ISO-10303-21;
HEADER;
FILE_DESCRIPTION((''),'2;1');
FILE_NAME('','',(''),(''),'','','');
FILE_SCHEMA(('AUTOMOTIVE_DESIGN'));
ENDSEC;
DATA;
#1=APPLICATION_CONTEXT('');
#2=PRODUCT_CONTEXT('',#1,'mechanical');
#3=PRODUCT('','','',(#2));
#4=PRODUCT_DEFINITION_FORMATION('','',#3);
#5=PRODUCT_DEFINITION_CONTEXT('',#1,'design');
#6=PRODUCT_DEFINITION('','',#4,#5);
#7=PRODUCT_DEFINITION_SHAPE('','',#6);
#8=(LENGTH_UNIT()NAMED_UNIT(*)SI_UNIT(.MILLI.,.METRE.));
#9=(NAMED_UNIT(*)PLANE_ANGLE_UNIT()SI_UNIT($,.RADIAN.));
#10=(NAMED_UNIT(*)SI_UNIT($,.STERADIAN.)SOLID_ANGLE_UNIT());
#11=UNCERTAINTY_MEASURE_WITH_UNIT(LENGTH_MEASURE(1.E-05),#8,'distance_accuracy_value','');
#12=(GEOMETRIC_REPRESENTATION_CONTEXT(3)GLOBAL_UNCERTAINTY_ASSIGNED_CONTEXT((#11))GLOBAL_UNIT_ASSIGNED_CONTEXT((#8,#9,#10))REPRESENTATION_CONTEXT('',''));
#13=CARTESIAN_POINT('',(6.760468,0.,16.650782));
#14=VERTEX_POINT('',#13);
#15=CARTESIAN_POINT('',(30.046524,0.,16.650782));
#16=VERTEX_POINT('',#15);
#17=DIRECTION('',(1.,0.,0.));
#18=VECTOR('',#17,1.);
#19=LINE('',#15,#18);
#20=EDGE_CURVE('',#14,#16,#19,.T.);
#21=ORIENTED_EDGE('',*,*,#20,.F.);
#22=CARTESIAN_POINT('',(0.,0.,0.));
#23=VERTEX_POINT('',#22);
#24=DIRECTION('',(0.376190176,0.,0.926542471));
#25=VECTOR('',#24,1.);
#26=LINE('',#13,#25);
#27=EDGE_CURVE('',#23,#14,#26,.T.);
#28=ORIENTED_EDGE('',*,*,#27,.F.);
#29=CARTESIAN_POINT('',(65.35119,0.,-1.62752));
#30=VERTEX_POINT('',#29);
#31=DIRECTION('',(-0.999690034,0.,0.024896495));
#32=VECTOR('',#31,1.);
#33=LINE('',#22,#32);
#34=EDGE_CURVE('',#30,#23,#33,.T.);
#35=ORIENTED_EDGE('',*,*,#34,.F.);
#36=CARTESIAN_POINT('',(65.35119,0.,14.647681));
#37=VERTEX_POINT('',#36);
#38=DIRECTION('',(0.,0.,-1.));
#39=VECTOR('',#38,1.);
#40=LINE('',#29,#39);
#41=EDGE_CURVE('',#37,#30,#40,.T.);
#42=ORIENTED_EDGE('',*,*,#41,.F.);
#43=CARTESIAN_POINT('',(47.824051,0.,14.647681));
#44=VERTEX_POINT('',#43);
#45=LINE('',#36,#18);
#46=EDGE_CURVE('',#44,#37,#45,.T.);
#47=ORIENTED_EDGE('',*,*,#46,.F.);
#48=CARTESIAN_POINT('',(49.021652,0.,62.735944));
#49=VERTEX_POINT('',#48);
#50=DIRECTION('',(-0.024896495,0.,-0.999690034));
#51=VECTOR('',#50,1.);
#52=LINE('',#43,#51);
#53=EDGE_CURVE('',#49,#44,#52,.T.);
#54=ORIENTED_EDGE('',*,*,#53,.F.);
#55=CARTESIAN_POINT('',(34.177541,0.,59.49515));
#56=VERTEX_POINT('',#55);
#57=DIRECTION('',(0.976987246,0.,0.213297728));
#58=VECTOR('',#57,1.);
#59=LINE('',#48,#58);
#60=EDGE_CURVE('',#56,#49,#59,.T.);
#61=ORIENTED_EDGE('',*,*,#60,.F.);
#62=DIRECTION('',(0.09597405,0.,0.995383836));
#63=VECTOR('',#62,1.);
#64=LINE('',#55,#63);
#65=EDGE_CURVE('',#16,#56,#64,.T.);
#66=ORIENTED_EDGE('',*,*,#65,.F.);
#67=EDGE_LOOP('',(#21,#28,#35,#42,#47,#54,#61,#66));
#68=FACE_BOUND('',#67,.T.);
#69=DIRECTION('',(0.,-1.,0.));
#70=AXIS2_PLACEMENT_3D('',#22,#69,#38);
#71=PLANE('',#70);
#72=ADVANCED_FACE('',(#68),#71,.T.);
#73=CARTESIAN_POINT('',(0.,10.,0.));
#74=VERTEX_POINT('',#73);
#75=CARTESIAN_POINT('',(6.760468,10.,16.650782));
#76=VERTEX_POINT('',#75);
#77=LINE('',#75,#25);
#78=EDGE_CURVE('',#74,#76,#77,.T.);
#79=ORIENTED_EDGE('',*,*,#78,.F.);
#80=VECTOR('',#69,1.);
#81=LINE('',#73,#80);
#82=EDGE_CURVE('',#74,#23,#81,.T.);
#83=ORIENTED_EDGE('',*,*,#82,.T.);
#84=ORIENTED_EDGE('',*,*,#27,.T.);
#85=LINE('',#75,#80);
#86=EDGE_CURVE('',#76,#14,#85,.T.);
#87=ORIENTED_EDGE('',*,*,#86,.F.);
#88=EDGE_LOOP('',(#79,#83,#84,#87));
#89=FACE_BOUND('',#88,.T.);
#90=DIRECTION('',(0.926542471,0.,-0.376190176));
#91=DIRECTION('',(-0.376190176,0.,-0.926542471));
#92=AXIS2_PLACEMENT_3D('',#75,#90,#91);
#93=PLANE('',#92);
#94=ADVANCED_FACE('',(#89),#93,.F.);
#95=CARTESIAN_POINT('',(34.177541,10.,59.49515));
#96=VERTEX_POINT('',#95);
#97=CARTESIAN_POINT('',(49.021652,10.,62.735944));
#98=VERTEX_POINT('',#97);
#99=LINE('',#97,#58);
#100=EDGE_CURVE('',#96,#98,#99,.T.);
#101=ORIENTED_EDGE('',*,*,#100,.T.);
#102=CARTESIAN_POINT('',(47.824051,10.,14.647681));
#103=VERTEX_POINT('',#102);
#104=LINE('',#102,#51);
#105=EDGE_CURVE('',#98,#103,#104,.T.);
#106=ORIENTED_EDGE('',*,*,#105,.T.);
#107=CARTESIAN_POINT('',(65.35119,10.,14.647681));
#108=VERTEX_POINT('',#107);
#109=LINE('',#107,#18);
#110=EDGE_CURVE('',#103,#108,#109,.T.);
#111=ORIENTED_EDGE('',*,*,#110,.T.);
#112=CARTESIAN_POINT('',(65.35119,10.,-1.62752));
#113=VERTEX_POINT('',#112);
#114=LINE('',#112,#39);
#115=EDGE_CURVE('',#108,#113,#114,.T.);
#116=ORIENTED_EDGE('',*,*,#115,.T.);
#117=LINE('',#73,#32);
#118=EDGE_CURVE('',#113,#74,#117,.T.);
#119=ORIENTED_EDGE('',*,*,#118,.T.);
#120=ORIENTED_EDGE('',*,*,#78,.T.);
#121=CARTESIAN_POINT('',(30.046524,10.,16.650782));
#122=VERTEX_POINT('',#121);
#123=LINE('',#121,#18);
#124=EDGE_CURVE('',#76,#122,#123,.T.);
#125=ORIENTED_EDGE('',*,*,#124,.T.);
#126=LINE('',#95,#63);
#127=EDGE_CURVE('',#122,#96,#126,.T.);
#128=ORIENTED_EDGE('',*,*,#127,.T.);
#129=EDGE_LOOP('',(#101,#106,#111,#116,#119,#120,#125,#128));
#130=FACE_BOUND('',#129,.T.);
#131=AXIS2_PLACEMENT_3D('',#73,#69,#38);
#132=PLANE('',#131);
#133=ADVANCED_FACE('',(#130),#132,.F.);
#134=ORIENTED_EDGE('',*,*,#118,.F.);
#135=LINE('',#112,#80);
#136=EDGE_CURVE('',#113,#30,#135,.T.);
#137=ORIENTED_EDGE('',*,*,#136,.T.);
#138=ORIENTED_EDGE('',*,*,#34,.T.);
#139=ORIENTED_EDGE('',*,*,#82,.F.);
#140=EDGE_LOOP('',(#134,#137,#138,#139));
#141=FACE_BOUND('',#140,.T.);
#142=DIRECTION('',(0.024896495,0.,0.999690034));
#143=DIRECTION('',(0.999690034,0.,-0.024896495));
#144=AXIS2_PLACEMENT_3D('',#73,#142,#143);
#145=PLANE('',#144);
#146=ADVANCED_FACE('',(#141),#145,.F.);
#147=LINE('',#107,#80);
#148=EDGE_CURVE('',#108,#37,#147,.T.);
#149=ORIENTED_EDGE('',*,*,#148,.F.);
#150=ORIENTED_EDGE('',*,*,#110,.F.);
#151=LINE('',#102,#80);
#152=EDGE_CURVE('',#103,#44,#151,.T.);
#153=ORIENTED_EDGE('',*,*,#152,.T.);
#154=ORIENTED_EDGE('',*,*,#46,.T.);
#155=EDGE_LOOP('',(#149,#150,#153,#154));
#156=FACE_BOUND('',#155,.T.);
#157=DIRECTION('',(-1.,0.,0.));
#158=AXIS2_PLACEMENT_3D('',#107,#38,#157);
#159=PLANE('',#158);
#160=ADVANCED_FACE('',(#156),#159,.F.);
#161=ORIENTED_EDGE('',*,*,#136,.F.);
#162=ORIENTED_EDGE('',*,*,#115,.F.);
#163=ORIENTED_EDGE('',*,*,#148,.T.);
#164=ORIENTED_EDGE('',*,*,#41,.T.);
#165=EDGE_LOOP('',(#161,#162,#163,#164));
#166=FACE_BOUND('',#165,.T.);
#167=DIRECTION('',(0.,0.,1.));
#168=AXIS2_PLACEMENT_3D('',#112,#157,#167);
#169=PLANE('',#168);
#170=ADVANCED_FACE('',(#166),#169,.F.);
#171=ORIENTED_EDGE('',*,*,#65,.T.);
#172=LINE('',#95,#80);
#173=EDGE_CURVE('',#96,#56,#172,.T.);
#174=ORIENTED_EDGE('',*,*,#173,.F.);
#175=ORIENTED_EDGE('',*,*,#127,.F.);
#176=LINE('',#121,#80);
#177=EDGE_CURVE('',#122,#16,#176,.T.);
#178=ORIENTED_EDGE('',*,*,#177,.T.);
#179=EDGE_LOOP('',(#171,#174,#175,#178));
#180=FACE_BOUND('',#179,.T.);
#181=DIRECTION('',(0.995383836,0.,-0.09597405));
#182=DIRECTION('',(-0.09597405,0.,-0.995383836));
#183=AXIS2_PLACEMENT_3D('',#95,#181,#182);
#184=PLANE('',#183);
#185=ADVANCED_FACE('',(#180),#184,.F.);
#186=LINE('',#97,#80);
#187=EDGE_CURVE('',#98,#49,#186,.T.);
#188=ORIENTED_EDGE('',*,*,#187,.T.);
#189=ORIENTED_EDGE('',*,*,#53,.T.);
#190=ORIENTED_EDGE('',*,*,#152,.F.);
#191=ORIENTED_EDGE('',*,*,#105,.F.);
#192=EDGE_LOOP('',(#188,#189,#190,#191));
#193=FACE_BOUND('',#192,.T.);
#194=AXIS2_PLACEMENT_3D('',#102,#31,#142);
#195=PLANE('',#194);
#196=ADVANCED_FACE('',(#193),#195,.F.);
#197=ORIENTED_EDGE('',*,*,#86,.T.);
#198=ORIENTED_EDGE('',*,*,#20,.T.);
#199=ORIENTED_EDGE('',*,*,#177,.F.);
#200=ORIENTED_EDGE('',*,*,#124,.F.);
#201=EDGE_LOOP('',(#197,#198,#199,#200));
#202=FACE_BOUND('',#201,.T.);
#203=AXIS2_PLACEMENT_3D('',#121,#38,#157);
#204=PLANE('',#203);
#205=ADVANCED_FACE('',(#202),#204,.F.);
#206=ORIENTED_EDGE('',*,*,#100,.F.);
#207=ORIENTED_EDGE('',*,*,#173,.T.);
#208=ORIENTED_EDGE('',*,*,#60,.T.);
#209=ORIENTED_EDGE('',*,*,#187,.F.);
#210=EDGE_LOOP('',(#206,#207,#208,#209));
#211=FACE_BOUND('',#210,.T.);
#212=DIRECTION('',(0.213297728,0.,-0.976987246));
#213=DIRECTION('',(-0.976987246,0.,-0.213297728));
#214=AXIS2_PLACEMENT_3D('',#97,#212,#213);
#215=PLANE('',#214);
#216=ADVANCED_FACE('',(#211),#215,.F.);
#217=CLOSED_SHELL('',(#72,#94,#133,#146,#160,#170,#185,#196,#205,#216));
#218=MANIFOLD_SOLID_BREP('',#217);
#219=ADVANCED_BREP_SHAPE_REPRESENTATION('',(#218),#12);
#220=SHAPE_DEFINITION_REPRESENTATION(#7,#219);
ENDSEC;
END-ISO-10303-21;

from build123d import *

# Parameters (mm, degrees)
BOSS_EXTRUDE1_DEPTH = 10


with BuildPart() as part:
    # Sketch1 → Boss-Extrude1 (new body)
    with BuildSketch(Plane(origin=(0, 0, 0), x_dir=(1, 0, 0), z_dir=(0, 1, 0))):
        Polygon((0, 0), (65.351190409, 1.627520068), (65.351190409, -14.647680609), (47.824051219, -14.647680609), (49.021651653, -62.735944196), (34.177541229, -59.495149555), (30.046524326, -16.650782231), (6.760467973, -16.650782231), align=None)
    extrude(amount=BOSS_EXTRUDE1_DEPTH)


solid = part.part
